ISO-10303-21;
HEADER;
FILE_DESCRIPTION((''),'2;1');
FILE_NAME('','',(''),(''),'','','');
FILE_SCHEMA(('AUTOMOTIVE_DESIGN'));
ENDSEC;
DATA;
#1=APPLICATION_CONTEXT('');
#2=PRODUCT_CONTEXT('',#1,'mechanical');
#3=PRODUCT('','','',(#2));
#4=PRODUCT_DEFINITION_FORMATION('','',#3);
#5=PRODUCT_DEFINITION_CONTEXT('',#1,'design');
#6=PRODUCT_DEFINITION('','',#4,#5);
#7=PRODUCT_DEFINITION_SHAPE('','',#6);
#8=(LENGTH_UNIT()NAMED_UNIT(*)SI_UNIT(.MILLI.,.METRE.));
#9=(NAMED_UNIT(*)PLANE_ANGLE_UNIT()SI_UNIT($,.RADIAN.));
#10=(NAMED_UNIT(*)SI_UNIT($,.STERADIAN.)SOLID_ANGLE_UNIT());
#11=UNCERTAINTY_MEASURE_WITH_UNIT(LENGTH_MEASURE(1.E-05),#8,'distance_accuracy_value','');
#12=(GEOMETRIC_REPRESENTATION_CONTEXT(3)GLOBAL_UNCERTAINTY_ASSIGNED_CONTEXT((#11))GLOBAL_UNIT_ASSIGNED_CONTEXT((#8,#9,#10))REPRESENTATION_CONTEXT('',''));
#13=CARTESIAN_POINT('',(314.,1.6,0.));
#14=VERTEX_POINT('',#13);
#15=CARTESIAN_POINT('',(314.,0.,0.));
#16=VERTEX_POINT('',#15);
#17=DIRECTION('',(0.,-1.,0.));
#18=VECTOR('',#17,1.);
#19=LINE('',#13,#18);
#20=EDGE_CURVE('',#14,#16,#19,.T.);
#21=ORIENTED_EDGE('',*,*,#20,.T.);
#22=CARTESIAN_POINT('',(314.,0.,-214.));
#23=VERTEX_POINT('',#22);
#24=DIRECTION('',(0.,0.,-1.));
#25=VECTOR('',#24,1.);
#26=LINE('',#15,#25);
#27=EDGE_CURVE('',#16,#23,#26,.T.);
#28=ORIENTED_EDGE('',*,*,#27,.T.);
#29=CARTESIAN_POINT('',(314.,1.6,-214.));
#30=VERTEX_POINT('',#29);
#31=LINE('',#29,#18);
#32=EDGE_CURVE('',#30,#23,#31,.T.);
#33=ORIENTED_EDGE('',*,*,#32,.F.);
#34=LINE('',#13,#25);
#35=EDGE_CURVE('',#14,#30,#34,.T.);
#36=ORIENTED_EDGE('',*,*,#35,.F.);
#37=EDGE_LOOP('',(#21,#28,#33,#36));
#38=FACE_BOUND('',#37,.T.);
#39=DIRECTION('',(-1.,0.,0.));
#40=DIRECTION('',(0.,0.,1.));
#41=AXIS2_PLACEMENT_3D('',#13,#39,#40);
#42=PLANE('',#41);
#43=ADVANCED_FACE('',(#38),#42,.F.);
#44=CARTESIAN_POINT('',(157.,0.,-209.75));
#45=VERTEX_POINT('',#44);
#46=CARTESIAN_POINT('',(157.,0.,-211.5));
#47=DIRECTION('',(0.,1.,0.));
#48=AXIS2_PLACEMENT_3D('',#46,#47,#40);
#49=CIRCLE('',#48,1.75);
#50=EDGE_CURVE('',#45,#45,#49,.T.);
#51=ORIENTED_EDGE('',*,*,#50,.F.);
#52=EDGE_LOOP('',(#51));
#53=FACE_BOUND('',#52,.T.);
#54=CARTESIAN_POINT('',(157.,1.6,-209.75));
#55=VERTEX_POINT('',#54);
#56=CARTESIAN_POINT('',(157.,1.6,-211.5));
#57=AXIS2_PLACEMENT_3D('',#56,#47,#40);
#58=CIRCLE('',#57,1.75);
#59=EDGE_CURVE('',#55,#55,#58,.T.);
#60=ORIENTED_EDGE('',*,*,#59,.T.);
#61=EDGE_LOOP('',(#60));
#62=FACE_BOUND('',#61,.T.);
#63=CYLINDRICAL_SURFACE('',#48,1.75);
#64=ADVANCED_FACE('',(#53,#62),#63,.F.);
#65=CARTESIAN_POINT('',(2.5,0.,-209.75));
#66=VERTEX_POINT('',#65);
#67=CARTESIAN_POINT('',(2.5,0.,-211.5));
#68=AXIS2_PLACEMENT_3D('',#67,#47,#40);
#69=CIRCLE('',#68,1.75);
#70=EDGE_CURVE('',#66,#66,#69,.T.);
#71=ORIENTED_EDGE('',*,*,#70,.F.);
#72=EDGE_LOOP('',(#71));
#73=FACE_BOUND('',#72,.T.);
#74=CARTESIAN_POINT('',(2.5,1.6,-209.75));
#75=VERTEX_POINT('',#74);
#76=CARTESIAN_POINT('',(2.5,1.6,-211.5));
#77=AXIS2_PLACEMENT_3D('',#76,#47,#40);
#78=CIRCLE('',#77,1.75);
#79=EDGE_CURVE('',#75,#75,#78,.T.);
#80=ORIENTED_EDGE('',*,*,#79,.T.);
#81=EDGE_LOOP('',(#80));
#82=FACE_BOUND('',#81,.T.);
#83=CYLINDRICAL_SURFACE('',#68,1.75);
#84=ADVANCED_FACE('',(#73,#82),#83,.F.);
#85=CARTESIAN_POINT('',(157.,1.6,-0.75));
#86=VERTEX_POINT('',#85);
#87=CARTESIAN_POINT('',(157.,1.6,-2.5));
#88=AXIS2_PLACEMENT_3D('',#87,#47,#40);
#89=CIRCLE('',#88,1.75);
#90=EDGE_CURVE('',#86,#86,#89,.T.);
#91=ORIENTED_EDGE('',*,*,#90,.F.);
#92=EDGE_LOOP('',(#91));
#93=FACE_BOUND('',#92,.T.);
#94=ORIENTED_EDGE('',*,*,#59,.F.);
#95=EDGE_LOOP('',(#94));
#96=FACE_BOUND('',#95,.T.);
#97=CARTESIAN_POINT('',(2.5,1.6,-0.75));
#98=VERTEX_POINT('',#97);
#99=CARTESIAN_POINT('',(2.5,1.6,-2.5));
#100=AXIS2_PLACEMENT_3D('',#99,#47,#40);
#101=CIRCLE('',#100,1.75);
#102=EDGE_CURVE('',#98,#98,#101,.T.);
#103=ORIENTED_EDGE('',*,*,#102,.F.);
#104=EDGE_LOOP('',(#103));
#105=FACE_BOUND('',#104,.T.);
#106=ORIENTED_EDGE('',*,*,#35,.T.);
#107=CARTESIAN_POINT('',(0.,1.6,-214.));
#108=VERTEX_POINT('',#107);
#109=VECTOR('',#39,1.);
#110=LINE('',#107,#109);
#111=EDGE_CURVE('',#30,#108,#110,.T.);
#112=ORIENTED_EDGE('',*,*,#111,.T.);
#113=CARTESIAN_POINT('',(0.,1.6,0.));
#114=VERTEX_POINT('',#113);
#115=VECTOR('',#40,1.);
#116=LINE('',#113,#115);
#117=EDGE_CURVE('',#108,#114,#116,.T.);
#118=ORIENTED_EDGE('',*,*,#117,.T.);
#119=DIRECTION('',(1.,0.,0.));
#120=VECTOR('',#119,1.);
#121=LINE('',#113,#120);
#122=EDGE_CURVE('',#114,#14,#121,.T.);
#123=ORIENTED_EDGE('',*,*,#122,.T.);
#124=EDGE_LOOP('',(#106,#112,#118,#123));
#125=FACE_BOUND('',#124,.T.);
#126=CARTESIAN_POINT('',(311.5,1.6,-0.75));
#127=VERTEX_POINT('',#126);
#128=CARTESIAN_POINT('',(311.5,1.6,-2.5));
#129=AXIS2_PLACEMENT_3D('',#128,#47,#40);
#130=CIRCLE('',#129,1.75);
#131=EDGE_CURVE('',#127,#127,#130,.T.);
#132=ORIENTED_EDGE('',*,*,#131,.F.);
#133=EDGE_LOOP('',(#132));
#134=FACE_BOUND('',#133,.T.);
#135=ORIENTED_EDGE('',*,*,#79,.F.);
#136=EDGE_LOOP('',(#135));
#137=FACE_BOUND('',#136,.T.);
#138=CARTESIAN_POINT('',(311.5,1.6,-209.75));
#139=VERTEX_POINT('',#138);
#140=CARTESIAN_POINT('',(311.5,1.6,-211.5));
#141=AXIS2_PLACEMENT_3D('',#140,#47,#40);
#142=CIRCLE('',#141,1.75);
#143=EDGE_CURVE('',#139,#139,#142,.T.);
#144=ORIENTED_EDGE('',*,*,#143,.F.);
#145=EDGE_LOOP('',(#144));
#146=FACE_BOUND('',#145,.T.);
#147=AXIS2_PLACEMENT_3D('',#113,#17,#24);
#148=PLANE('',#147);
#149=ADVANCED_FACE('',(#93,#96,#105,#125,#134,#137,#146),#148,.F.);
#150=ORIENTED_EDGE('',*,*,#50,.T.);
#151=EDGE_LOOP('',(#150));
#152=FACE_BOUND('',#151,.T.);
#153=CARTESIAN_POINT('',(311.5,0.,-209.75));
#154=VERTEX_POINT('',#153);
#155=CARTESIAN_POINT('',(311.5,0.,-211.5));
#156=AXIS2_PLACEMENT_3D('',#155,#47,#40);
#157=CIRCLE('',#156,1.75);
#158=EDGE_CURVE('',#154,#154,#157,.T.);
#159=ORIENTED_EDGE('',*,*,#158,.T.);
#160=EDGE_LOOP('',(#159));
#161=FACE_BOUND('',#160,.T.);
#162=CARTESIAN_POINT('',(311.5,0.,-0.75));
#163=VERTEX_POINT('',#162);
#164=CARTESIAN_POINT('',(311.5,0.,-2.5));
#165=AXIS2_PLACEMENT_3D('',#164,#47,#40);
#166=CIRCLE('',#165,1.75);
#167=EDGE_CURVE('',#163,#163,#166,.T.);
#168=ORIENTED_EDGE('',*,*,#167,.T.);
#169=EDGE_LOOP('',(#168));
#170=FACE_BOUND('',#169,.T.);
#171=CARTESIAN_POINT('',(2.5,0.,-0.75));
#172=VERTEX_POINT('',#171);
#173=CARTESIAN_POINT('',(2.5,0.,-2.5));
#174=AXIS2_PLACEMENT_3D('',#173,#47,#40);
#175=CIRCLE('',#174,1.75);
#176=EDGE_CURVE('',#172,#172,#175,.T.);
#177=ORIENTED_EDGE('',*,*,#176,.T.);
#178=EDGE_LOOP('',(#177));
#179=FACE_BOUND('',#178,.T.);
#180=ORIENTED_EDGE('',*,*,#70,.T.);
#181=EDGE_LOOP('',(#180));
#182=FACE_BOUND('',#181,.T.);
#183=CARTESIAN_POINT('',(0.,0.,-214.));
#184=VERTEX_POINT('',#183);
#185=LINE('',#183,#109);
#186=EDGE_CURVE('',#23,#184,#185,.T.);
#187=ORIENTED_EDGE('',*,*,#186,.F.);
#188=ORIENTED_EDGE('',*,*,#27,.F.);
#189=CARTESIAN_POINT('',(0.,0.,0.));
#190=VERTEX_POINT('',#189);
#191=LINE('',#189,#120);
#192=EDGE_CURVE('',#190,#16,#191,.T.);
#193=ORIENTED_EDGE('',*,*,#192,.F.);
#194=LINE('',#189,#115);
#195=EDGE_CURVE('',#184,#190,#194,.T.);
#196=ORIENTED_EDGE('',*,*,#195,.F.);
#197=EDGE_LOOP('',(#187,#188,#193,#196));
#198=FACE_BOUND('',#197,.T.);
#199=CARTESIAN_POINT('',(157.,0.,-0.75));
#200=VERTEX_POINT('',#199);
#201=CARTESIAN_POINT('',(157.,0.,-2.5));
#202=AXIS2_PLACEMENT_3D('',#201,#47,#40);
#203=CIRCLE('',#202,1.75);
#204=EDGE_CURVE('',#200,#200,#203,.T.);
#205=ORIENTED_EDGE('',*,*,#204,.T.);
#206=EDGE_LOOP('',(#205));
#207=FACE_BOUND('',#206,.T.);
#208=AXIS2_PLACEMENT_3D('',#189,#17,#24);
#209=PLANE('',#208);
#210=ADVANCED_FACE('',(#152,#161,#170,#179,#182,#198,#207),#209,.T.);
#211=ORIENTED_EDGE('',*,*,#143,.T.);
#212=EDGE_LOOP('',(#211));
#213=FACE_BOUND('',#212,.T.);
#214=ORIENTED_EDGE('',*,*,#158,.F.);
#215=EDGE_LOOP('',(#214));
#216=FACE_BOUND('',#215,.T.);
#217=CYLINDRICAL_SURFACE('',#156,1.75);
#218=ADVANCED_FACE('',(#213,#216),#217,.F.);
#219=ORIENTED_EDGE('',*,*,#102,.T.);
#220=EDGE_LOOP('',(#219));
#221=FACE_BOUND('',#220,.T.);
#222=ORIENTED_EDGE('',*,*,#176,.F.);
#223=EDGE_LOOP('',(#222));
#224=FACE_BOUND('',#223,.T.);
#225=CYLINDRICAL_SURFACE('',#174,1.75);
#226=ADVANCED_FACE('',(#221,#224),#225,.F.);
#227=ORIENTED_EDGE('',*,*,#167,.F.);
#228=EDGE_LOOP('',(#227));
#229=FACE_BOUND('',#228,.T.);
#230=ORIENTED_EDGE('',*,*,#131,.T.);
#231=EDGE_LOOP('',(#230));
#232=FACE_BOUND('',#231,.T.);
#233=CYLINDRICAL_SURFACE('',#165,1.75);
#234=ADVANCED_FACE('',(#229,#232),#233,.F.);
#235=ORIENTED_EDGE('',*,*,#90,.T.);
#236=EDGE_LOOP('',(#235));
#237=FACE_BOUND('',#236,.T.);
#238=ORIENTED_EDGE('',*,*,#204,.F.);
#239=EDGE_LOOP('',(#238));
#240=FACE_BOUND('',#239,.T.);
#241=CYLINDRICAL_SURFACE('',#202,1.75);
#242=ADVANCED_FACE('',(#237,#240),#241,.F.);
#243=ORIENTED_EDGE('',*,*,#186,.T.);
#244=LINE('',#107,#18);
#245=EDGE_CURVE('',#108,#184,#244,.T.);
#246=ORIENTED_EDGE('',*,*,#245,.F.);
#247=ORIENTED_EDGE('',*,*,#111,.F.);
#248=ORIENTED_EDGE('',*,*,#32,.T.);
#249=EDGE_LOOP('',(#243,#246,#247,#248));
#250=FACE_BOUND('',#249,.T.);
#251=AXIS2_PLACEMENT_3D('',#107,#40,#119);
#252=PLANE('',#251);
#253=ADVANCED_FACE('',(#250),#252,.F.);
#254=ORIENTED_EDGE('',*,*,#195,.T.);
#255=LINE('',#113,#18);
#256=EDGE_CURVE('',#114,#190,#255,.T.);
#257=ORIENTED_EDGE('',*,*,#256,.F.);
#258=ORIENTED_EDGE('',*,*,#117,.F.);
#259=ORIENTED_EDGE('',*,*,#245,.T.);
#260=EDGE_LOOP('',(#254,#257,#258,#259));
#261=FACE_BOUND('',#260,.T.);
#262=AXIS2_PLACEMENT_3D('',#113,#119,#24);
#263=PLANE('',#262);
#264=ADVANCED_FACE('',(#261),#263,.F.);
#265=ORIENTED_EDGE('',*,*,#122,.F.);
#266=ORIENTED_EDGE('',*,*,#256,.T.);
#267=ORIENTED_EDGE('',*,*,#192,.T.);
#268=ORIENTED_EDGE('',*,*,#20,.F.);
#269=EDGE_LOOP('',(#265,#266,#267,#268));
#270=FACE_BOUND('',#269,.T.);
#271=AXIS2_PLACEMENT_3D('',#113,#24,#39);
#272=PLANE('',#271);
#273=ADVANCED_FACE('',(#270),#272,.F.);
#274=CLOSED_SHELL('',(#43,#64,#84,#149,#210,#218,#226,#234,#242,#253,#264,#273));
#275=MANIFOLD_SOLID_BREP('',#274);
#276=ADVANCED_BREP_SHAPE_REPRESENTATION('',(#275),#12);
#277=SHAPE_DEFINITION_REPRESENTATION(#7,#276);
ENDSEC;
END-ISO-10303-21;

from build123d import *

# Parameters (mm, degrees)
SKETCH1_W           = 314
SKETCH1_H           = 214
BOSS_EXTRUDE1_DEPTH = 1.6
SKETCH2_R           = 1.75
CUT_EXTRUDE1_DEPTH  = 380.992842038


with BuildPart() as part:
    # Sketch1 → Boss-Extrude1 (new body)
    with BuildSketch(Plane(origin=(0, 0, 0), x_dir=(1, 0, 0), z_dir=(0, 1, 0))):
        with Locations((157, 107)):
            Rectangle(SKETCH1_W, SKETCH1_H)
    extrude(amount=BOSS_EXTRUDE1_DEPTH)

    # Sketch2 → Cut-Extrude1 (cut, through all)
    with BuildSketch(Plane(origin=(0, 1.6, 0), x_dir=(1, 0, 0), z_dir=(0, 1, 0))):
        with Locations(Location((2.5, 2.5, 0), (0, 0, 270))):
            Circle(SKETCH2_R)
        with Locations(Location((311.5, 2.5, 0), (0, 0, 270))):
            Circle(SKETCH2_R)
        with Locations(Location((2.5, 211.5, 0), (0, 0, 270))):
            Circle(SKETCH2_R)
        with Locations(Location((311.5, 211.5, 0), (0, 0, 270))):
            Circle(SKETCH2_R)
        with Locations(Location((157, 2.5, 0), (0, 0, 270))):
            Circle(SKETCH2_R)
        with Locations(Location((157, 211.5, 0), (0, 0, 270))):
            Circle(SKETCH2_R)
    extrude(amount=-CUT_EXTRUDE1_DEPTH, mode=Mode.SUBTRACT)


solid = part.part
